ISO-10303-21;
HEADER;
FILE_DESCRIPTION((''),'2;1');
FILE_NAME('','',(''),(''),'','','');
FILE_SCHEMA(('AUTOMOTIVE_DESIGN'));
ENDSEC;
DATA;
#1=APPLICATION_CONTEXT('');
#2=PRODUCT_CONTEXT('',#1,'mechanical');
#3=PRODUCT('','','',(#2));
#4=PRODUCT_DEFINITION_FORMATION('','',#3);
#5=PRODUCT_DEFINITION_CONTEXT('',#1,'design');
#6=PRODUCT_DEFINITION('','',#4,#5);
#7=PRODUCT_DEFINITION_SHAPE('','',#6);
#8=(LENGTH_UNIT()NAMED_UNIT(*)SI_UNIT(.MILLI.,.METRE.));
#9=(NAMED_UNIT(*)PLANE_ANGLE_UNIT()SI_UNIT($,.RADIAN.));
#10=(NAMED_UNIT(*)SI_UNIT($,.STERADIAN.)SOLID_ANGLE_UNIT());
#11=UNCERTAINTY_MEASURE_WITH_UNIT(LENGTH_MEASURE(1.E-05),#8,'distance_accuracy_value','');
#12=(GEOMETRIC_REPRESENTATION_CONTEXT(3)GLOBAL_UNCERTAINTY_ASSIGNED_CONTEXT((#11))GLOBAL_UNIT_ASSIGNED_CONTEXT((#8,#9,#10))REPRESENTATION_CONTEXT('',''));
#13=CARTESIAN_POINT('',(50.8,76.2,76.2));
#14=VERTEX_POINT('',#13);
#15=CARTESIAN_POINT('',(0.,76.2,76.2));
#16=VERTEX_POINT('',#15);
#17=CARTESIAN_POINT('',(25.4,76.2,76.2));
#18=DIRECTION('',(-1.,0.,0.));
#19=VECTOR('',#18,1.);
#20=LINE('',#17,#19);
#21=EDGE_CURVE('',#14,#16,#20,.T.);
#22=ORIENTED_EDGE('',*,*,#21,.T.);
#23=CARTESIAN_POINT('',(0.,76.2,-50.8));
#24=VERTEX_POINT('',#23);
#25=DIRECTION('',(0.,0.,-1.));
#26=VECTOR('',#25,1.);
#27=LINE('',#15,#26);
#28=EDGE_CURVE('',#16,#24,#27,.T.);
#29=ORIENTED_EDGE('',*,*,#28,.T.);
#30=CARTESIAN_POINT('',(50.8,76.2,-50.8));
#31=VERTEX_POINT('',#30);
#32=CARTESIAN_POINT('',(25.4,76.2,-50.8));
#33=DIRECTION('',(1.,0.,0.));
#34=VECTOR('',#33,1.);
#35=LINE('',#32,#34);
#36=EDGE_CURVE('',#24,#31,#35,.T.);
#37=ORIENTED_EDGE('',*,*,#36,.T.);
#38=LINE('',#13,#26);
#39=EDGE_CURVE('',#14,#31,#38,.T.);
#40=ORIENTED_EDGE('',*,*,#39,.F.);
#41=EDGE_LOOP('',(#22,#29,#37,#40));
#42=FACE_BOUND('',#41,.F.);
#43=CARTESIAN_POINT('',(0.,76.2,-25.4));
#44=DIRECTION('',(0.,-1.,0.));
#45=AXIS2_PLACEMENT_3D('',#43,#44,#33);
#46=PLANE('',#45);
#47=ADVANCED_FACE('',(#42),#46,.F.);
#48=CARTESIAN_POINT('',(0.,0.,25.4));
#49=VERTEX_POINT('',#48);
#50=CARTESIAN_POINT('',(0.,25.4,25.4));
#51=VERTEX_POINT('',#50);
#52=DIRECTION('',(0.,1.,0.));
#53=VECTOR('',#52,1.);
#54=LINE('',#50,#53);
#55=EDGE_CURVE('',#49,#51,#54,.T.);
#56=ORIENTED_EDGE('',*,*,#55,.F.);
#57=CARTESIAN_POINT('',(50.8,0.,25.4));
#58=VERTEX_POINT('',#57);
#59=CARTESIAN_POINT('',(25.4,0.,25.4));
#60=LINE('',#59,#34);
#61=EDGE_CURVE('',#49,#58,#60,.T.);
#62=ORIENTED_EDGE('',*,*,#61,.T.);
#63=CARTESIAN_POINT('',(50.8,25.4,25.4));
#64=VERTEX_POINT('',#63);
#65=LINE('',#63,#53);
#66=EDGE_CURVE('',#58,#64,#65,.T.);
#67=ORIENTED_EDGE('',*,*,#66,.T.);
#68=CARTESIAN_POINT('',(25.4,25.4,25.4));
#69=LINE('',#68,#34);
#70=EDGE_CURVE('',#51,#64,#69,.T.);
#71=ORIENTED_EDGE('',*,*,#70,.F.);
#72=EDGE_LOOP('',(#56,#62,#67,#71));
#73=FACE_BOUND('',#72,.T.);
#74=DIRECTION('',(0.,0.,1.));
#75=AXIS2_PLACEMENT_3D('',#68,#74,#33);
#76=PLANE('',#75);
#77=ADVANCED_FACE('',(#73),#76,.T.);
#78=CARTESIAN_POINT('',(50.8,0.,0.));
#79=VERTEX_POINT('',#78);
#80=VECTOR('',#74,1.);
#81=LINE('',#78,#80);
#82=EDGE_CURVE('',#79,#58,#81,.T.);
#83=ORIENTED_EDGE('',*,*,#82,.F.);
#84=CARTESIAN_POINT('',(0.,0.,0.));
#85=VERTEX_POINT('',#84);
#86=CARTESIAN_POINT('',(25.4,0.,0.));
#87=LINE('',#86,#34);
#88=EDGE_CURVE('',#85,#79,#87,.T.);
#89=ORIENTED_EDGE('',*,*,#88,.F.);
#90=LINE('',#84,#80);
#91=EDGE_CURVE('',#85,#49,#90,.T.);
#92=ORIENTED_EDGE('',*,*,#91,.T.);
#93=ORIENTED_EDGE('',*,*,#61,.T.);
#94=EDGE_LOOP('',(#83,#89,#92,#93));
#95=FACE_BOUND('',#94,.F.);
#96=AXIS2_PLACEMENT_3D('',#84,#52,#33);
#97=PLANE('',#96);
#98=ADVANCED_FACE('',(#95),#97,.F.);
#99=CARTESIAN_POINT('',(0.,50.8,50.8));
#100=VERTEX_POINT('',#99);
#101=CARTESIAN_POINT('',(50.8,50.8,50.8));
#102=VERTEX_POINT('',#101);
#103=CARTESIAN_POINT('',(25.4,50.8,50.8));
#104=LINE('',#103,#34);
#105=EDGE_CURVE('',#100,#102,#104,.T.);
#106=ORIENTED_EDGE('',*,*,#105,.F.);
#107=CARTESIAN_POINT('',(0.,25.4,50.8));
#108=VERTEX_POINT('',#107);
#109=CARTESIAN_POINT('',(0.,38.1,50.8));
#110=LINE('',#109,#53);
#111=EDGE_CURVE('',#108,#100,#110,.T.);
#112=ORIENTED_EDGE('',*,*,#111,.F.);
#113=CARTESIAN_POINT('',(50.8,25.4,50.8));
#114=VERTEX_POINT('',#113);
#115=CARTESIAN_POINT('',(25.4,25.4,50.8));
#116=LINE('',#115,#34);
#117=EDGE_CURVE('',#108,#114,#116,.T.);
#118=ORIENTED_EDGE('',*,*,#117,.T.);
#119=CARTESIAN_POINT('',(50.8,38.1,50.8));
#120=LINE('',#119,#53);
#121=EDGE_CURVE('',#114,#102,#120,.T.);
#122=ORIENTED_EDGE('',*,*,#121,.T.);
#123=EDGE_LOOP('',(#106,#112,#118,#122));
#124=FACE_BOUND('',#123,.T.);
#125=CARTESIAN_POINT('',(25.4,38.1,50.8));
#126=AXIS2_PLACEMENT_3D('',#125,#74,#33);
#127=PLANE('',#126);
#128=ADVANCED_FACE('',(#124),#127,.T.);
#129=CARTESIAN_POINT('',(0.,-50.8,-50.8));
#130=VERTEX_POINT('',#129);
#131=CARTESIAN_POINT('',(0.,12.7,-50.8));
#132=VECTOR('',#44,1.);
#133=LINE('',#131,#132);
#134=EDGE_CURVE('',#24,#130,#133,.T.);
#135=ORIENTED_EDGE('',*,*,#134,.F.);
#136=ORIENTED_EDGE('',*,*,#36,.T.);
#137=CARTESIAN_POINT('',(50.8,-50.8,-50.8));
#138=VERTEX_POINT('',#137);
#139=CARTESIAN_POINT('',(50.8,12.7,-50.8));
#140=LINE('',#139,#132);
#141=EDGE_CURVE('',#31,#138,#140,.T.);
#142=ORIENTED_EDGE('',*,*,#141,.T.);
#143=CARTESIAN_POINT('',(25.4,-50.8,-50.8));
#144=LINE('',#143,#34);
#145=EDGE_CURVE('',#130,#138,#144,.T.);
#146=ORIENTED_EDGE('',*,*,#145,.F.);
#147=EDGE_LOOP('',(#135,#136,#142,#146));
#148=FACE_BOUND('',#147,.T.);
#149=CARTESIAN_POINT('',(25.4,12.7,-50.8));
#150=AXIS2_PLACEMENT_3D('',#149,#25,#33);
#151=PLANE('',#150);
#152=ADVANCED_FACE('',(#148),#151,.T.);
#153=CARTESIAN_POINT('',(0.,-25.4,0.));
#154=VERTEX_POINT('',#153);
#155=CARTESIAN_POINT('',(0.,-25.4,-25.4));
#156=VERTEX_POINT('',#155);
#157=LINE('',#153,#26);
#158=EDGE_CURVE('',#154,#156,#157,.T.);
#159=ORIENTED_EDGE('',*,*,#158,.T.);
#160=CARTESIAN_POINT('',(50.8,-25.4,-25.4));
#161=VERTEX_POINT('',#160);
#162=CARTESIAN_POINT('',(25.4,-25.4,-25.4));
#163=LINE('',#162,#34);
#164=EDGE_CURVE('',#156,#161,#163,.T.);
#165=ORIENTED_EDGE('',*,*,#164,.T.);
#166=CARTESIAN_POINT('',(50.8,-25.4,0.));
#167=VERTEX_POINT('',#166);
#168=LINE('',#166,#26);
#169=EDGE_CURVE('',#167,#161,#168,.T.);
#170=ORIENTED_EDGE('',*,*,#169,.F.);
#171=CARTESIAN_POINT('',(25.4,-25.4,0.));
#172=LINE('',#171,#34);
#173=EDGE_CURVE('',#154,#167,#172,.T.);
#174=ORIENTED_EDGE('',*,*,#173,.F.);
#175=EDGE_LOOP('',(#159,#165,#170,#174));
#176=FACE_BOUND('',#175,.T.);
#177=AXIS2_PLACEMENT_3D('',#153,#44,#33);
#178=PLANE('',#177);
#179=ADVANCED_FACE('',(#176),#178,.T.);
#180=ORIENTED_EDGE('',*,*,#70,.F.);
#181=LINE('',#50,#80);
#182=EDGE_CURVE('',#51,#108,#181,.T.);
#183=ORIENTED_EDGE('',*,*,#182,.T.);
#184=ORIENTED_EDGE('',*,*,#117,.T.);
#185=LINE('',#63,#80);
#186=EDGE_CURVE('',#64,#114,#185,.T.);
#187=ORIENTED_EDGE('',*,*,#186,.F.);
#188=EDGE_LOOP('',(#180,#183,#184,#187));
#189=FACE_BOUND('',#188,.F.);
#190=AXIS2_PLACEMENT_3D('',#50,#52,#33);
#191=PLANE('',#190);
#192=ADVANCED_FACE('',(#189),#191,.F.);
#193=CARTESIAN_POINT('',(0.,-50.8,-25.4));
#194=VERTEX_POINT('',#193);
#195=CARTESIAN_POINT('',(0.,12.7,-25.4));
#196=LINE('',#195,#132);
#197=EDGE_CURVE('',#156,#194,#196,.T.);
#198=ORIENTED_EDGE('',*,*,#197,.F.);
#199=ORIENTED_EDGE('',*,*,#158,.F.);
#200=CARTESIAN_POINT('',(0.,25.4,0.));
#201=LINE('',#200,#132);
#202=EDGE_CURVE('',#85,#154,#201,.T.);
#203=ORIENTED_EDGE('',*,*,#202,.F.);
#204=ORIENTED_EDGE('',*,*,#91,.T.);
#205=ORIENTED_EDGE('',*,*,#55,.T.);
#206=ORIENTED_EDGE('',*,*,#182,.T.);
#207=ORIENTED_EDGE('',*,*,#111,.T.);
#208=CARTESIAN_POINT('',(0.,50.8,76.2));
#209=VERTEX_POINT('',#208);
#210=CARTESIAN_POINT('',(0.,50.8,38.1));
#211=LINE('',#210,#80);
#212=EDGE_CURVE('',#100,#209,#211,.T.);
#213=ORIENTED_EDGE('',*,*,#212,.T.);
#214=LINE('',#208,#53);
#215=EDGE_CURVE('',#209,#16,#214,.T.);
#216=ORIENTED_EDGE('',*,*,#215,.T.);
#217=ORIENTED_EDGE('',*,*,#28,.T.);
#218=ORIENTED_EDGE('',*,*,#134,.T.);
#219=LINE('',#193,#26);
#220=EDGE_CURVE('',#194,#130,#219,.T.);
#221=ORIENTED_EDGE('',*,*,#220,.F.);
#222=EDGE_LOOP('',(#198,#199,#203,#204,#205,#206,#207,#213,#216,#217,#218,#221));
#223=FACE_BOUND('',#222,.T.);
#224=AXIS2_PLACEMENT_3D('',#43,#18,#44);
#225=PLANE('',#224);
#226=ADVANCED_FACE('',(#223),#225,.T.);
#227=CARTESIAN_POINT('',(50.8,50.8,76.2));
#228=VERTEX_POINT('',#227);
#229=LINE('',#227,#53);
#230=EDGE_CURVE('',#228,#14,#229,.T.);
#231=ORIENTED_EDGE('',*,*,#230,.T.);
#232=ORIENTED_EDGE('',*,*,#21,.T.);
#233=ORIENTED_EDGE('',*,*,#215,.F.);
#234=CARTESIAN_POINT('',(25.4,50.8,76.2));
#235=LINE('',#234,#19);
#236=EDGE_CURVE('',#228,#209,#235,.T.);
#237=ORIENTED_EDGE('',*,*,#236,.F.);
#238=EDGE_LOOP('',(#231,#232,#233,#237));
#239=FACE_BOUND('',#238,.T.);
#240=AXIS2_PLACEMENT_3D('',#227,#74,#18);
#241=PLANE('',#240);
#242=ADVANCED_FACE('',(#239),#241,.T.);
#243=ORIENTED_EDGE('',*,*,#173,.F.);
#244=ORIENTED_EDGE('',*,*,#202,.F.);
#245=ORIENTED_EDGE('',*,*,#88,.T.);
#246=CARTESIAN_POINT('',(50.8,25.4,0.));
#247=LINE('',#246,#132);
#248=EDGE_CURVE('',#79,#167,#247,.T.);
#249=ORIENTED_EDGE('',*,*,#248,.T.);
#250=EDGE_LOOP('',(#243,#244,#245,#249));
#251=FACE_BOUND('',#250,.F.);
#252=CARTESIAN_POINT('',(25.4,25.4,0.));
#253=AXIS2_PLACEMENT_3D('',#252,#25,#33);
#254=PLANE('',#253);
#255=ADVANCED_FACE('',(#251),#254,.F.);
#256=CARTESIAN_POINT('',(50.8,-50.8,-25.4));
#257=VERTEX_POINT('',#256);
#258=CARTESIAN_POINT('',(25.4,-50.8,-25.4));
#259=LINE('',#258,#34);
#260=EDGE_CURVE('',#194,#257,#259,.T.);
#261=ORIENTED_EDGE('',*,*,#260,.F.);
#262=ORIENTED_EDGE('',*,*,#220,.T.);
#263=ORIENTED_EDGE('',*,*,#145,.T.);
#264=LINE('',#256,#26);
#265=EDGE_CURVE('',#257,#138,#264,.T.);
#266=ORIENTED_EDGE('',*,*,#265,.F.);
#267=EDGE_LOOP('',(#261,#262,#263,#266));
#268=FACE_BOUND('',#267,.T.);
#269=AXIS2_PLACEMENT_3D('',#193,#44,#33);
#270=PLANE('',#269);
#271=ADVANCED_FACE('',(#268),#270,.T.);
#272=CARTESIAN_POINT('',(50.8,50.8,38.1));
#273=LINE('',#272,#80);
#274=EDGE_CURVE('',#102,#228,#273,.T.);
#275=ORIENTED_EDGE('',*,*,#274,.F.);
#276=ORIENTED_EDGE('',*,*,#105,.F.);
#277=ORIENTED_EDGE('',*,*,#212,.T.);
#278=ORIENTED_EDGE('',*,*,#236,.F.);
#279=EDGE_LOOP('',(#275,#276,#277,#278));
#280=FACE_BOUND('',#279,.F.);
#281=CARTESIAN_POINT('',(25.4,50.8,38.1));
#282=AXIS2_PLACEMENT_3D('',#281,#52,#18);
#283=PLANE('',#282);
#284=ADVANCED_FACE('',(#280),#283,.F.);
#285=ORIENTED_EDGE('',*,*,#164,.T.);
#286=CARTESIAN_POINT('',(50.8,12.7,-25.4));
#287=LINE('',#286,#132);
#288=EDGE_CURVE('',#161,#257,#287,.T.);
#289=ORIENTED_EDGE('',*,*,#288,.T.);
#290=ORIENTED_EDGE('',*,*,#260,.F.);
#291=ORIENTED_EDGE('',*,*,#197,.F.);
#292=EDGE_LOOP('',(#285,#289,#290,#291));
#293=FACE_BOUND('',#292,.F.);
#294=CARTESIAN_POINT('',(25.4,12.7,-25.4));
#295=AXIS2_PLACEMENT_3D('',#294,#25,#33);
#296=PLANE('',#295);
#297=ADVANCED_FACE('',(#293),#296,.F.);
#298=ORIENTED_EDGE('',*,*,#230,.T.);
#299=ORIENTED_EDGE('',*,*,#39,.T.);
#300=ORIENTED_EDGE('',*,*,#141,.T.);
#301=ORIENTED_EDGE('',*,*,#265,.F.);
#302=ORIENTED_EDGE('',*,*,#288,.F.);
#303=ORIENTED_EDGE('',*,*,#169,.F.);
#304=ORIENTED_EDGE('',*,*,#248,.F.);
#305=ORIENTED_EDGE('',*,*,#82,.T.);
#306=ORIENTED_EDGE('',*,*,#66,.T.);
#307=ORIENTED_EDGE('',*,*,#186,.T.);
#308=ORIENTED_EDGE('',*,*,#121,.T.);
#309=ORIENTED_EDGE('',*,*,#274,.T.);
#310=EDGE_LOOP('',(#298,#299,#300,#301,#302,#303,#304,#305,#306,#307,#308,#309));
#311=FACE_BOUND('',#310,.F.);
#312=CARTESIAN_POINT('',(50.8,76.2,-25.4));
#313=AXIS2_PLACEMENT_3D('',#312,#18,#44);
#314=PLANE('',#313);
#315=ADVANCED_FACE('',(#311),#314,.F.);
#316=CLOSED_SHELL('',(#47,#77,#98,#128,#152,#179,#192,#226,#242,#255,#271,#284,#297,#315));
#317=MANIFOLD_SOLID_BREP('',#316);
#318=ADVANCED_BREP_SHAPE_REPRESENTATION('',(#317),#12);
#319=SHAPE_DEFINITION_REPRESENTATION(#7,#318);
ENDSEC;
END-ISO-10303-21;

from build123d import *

# Parameters (mm, degrees)
F0_W     = 50.8
F0_H     = 50.8
F1_DEPTH = 25.4
F2_W     = 50.8
F2_H     = 25.4
F3_DEPTH = 25.4
F4_W     = 50.8
F4_H     = 76.2
F5_DEPTH = 25.4
F6_W     = 50.8
F6_H     = 101.6
F7_DEPTH = 25.4
F8_W     = 50.8
F8_H     = 127
F9_DEPTH = 25.4


with BuildPart() as f1:
    # F0 (on Top) → F1 (new body)
    with BuildSketch(Plane.XY):
        with Locations((25.4, 25.4)):
            Rectangle(F0_W, F0_H)
    extrude(amount=F1_DEPTH)

    # F2 (on face) → F3 (join)
    with BuildSketch(Plane.XY.offset(25.4)):
        with Locations((25.4, 38.1)):
            Rectangle(F2_W, F2_H)
    extrude(amount=F3_DEPTH)

    # F4 (on face) → F5 (join)
    with BuildSketch(Plane(origin=(0, 50.8, 0), x_dir=(-1, 0, 0), z_dir=(0, 1, 0))):
        with Locations((-25.4, 38.1)):
            Rectangle(F4_W, F4_H)
    extrude(amount=F5_DEPTH)

    # F6 (on face) → F7 (join)
    with BuildSketch(Plane(origin=(0, 0, 0), x_dir=(1, 0, 0), z_dir=(0, 0, -1))):
        with Locations((25.4, -25.4)):
            Rectangle(F6_W, F6_H)
    extrude(amount=F7_DEPTH)

    # F8 (on face) → F9 (join)
    with BuildSketch(Plane(origin=(0, 0, -25.4), x_dir=(1, 0, 0), z_dir=(0, 0, -1))):
        with Locations((25.4, -12.7)):
            Rectangle(F8_W, F8_H)
    extrude(amount=F9_DEPTH)


solid = f1.part
